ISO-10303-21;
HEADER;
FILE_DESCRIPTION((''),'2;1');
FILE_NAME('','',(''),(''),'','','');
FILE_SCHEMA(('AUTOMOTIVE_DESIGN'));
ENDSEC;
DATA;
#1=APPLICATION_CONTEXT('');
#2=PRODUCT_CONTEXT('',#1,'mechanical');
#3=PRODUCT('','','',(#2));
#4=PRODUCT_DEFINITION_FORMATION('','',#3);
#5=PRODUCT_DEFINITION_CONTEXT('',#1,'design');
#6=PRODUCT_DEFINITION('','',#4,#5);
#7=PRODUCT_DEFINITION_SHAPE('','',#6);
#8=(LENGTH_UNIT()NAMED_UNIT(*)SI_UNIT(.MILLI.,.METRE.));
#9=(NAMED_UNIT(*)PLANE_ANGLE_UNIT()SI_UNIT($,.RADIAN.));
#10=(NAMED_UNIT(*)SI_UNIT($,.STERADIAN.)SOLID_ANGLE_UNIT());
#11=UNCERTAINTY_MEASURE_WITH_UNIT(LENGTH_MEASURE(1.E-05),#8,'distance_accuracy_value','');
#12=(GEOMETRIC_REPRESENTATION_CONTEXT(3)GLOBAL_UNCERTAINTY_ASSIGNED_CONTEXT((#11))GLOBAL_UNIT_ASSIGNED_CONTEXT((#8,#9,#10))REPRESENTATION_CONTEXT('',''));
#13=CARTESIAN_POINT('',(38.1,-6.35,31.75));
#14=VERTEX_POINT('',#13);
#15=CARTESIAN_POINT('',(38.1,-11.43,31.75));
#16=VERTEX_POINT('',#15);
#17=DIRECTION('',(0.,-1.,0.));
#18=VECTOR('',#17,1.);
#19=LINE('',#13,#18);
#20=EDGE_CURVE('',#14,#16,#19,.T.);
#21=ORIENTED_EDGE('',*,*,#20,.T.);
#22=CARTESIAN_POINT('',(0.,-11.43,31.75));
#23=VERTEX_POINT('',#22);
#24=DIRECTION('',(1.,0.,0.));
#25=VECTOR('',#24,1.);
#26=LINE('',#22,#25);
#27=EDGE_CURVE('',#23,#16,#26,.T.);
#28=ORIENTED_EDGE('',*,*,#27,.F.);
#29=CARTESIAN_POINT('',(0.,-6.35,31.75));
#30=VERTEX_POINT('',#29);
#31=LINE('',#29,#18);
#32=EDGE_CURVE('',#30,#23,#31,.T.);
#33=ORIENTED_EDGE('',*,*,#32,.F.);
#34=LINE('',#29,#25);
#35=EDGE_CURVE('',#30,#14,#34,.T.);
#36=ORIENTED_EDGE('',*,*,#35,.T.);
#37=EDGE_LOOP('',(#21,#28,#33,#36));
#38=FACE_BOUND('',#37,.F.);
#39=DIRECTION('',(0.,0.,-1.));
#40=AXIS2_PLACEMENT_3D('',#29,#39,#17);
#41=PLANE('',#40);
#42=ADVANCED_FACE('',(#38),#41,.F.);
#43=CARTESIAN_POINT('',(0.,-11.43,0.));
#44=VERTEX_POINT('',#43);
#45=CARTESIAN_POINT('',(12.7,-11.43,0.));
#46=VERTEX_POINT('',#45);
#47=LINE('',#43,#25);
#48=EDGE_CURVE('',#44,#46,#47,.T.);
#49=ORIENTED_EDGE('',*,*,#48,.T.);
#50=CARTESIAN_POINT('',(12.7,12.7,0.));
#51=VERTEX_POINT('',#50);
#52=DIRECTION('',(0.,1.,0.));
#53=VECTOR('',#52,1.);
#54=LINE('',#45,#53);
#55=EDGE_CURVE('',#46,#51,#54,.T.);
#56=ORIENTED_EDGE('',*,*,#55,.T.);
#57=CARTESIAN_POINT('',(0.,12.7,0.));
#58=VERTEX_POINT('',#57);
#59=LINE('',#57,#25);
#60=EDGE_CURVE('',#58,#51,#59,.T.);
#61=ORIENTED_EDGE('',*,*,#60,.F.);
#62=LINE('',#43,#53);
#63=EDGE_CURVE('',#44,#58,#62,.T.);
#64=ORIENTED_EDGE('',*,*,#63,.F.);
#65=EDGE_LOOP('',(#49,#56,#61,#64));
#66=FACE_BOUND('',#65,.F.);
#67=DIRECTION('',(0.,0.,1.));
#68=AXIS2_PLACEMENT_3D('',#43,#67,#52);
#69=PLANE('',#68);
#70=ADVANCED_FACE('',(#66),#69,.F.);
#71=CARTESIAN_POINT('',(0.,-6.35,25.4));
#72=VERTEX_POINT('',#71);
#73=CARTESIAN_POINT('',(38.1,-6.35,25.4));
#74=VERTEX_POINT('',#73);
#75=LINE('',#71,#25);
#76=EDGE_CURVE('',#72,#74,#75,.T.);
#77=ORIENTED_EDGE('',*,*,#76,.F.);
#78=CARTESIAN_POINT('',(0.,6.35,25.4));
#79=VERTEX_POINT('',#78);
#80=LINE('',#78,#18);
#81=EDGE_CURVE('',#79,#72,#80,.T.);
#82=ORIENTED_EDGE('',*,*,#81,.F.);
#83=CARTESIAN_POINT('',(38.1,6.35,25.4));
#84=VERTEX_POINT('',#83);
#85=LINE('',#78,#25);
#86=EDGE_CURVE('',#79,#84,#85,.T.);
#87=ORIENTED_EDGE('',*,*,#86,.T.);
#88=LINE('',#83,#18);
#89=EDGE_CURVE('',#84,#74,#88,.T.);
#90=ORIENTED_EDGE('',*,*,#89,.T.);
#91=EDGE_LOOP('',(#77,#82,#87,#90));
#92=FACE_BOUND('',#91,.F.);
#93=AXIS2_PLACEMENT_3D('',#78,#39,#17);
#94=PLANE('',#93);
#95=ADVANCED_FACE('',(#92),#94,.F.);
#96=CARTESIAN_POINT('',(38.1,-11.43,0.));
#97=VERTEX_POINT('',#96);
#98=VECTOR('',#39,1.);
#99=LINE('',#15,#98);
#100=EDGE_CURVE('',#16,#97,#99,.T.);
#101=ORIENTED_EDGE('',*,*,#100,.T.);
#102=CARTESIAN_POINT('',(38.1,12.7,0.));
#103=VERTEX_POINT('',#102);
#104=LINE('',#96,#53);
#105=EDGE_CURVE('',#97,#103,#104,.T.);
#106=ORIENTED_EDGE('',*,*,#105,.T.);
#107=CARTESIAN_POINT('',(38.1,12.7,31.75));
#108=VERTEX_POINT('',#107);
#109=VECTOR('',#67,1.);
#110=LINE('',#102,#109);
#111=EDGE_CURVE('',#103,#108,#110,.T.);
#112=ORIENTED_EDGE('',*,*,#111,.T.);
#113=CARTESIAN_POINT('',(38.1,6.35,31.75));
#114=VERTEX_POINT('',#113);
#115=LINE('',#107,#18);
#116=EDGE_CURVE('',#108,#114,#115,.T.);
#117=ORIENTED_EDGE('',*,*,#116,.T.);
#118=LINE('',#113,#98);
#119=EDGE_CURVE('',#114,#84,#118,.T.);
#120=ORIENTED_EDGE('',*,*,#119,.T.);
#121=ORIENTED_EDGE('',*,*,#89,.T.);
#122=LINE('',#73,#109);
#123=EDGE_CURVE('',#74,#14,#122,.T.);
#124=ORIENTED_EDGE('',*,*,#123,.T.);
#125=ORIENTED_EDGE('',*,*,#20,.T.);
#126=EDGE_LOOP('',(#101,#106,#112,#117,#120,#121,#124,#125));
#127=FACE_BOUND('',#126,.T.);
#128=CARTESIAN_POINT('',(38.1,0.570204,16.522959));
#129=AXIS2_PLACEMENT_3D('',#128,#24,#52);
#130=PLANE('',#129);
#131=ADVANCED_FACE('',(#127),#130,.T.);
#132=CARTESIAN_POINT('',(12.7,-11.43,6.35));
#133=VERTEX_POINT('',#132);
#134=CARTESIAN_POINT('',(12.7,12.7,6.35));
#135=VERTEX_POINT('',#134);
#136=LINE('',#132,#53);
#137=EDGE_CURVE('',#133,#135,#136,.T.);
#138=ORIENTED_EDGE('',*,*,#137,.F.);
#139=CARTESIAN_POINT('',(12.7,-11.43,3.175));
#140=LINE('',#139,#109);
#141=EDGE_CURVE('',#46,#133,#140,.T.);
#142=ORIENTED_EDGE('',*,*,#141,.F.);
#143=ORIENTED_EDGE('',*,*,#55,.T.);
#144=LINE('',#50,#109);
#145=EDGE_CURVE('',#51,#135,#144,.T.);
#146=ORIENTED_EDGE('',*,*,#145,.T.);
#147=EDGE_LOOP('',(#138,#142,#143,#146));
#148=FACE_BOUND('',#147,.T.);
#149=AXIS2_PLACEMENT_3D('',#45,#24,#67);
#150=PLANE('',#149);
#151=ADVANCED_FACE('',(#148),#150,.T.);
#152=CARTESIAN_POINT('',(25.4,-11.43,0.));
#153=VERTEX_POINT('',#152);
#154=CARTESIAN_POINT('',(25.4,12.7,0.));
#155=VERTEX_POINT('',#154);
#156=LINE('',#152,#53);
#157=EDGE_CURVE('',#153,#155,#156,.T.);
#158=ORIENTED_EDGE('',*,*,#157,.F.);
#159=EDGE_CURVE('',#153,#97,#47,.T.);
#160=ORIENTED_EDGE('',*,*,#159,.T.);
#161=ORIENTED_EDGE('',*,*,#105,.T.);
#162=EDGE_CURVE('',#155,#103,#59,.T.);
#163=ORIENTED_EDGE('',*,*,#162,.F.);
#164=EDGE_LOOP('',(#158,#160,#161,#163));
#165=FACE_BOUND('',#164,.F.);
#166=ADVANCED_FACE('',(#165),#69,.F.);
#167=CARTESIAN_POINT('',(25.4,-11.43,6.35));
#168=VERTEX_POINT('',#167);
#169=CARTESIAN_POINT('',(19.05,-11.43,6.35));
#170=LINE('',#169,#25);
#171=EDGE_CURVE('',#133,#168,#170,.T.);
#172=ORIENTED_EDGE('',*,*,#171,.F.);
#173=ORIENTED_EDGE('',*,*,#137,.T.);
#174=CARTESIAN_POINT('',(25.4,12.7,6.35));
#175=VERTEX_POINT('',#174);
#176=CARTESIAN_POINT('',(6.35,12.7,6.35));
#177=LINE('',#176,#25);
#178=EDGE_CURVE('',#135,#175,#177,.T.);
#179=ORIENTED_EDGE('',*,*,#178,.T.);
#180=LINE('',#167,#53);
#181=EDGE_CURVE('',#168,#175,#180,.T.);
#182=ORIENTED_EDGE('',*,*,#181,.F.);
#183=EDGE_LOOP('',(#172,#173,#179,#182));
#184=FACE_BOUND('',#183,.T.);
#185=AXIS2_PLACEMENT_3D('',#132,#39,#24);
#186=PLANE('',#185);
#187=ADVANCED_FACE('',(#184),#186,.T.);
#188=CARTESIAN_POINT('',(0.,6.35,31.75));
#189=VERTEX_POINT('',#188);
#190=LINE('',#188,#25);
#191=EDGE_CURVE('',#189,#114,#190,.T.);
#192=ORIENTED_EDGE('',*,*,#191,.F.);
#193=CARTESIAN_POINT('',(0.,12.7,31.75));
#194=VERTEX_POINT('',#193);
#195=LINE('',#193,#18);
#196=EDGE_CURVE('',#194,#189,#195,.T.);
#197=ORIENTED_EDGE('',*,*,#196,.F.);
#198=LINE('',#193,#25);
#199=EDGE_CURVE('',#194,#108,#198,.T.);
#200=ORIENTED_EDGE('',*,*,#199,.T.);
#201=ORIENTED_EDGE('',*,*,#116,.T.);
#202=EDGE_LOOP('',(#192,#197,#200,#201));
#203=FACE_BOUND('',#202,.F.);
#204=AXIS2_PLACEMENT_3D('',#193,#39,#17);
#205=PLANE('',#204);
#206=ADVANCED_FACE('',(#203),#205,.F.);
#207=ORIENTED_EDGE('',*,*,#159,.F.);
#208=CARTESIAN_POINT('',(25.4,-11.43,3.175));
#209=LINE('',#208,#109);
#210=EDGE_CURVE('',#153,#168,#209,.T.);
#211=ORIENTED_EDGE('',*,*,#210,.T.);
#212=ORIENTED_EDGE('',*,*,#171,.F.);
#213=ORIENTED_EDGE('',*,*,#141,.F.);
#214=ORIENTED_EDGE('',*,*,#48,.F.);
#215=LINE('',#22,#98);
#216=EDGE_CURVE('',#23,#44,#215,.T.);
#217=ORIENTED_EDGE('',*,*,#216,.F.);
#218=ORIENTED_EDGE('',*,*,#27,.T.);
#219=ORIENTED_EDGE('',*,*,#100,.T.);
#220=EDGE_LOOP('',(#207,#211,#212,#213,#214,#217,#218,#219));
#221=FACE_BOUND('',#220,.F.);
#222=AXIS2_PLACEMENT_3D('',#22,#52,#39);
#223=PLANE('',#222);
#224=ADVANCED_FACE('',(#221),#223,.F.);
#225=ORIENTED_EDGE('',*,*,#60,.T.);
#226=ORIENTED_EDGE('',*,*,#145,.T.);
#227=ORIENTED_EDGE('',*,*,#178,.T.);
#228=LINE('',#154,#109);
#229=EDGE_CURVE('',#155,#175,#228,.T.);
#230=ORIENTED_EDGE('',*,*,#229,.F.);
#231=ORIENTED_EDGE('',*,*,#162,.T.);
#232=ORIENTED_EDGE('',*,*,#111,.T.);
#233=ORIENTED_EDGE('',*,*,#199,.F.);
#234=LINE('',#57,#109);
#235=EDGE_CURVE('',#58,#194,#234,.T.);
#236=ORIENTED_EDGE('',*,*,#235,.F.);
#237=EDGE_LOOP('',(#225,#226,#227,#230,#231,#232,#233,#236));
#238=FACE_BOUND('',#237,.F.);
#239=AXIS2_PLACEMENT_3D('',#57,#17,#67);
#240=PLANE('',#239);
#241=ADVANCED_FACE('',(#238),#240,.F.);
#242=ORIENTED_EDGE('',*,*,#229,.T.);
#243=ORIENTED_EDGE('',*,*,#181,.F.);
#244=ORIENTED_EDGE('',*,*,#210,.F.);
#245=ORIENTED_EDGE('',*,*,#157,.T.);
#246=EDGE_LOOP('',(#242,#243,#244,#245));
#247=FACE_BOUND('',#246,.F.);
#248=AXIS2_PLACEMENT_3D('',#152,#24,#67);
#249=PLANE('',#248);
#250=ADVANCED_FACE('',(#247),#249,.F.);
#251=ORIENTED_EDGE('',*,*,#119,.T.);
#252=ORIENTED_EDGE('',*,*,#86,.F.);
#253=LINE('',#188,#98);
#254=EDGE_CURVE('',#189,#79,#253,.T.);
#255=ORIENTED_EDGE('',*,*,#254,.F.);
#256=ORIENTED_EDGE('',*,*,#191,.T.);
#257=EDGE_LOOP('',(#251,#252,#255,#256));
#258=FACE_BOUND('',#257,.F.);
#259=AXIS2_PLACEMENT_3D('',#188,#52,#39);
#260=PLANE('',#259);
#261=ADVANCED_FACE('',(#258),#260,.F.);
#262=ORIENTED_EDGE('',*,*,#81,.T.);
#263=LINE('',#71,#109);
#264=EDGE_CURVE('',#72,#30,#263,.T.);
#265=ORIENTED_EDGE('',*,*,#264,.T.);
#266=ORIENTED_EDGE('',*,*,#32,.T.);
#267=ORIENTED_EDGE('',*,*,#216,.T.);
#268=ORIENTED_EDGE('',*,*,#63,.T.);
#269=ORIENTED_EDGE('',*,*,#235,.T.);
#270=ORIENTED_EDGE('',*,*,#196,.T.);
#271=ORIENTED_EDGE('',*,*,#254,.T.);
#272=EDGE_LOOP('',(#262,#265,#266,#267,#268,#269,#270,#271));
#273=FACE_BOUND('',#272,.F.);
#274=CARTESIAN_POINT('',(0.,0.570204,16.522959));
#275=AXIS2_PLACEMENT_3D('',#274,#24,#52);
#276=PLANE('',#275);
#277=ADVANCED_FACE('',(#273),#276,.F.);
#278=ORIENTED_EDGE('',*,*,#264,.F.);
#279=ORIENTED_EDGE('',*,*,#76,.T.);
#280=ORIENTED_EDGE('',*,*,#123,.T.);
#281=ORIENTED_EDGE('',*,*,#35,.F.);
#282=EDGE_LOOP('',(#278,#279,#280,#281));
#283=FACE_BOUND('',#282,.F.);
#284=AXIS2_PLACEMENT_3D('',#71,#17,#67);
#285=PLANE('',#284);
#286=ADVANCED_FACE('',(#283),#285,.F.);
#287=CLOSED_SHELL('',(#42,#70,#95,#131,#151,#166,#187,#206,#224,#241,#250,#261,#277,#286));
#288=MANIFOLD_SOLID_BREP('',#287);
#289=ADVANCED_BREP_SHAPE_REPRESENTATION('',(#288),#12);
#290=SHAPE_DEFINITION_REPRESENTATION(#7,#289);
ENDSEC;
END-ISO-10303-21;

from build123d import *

# Parameters (mm, degrees)
F1_DEPTH = 38.1
F2_W     = 12.7
F2_H     = 6.35
F3_DEPTH = 25.4


with BuildPart() as f1:
    # F0 (on Right) → F1 (new body)
    with BuildSketch(Plane.YZ):
        Polygon((-11.43, 0), (0, 0), (12.7, 0), (12.7, 31.75), (6.35, 31.75), (6.35, 25.4), (-6.35, 25.4), (-6.35, 31.75), (-11.43, 31.75), align=None)
    extrude(amount=F1_DEPTH)

    # F2 (on face) → F3 (cut)
    with BuildSketch(Plane.XZ.offset(11.43)):
        with Locations((19.05, 3.175)):
            Rectangle(F2_W, F2_H)
    extrude(amount=-F3_DEPTH, mode=Mode.SUBTRACT)


solid = f1.part
